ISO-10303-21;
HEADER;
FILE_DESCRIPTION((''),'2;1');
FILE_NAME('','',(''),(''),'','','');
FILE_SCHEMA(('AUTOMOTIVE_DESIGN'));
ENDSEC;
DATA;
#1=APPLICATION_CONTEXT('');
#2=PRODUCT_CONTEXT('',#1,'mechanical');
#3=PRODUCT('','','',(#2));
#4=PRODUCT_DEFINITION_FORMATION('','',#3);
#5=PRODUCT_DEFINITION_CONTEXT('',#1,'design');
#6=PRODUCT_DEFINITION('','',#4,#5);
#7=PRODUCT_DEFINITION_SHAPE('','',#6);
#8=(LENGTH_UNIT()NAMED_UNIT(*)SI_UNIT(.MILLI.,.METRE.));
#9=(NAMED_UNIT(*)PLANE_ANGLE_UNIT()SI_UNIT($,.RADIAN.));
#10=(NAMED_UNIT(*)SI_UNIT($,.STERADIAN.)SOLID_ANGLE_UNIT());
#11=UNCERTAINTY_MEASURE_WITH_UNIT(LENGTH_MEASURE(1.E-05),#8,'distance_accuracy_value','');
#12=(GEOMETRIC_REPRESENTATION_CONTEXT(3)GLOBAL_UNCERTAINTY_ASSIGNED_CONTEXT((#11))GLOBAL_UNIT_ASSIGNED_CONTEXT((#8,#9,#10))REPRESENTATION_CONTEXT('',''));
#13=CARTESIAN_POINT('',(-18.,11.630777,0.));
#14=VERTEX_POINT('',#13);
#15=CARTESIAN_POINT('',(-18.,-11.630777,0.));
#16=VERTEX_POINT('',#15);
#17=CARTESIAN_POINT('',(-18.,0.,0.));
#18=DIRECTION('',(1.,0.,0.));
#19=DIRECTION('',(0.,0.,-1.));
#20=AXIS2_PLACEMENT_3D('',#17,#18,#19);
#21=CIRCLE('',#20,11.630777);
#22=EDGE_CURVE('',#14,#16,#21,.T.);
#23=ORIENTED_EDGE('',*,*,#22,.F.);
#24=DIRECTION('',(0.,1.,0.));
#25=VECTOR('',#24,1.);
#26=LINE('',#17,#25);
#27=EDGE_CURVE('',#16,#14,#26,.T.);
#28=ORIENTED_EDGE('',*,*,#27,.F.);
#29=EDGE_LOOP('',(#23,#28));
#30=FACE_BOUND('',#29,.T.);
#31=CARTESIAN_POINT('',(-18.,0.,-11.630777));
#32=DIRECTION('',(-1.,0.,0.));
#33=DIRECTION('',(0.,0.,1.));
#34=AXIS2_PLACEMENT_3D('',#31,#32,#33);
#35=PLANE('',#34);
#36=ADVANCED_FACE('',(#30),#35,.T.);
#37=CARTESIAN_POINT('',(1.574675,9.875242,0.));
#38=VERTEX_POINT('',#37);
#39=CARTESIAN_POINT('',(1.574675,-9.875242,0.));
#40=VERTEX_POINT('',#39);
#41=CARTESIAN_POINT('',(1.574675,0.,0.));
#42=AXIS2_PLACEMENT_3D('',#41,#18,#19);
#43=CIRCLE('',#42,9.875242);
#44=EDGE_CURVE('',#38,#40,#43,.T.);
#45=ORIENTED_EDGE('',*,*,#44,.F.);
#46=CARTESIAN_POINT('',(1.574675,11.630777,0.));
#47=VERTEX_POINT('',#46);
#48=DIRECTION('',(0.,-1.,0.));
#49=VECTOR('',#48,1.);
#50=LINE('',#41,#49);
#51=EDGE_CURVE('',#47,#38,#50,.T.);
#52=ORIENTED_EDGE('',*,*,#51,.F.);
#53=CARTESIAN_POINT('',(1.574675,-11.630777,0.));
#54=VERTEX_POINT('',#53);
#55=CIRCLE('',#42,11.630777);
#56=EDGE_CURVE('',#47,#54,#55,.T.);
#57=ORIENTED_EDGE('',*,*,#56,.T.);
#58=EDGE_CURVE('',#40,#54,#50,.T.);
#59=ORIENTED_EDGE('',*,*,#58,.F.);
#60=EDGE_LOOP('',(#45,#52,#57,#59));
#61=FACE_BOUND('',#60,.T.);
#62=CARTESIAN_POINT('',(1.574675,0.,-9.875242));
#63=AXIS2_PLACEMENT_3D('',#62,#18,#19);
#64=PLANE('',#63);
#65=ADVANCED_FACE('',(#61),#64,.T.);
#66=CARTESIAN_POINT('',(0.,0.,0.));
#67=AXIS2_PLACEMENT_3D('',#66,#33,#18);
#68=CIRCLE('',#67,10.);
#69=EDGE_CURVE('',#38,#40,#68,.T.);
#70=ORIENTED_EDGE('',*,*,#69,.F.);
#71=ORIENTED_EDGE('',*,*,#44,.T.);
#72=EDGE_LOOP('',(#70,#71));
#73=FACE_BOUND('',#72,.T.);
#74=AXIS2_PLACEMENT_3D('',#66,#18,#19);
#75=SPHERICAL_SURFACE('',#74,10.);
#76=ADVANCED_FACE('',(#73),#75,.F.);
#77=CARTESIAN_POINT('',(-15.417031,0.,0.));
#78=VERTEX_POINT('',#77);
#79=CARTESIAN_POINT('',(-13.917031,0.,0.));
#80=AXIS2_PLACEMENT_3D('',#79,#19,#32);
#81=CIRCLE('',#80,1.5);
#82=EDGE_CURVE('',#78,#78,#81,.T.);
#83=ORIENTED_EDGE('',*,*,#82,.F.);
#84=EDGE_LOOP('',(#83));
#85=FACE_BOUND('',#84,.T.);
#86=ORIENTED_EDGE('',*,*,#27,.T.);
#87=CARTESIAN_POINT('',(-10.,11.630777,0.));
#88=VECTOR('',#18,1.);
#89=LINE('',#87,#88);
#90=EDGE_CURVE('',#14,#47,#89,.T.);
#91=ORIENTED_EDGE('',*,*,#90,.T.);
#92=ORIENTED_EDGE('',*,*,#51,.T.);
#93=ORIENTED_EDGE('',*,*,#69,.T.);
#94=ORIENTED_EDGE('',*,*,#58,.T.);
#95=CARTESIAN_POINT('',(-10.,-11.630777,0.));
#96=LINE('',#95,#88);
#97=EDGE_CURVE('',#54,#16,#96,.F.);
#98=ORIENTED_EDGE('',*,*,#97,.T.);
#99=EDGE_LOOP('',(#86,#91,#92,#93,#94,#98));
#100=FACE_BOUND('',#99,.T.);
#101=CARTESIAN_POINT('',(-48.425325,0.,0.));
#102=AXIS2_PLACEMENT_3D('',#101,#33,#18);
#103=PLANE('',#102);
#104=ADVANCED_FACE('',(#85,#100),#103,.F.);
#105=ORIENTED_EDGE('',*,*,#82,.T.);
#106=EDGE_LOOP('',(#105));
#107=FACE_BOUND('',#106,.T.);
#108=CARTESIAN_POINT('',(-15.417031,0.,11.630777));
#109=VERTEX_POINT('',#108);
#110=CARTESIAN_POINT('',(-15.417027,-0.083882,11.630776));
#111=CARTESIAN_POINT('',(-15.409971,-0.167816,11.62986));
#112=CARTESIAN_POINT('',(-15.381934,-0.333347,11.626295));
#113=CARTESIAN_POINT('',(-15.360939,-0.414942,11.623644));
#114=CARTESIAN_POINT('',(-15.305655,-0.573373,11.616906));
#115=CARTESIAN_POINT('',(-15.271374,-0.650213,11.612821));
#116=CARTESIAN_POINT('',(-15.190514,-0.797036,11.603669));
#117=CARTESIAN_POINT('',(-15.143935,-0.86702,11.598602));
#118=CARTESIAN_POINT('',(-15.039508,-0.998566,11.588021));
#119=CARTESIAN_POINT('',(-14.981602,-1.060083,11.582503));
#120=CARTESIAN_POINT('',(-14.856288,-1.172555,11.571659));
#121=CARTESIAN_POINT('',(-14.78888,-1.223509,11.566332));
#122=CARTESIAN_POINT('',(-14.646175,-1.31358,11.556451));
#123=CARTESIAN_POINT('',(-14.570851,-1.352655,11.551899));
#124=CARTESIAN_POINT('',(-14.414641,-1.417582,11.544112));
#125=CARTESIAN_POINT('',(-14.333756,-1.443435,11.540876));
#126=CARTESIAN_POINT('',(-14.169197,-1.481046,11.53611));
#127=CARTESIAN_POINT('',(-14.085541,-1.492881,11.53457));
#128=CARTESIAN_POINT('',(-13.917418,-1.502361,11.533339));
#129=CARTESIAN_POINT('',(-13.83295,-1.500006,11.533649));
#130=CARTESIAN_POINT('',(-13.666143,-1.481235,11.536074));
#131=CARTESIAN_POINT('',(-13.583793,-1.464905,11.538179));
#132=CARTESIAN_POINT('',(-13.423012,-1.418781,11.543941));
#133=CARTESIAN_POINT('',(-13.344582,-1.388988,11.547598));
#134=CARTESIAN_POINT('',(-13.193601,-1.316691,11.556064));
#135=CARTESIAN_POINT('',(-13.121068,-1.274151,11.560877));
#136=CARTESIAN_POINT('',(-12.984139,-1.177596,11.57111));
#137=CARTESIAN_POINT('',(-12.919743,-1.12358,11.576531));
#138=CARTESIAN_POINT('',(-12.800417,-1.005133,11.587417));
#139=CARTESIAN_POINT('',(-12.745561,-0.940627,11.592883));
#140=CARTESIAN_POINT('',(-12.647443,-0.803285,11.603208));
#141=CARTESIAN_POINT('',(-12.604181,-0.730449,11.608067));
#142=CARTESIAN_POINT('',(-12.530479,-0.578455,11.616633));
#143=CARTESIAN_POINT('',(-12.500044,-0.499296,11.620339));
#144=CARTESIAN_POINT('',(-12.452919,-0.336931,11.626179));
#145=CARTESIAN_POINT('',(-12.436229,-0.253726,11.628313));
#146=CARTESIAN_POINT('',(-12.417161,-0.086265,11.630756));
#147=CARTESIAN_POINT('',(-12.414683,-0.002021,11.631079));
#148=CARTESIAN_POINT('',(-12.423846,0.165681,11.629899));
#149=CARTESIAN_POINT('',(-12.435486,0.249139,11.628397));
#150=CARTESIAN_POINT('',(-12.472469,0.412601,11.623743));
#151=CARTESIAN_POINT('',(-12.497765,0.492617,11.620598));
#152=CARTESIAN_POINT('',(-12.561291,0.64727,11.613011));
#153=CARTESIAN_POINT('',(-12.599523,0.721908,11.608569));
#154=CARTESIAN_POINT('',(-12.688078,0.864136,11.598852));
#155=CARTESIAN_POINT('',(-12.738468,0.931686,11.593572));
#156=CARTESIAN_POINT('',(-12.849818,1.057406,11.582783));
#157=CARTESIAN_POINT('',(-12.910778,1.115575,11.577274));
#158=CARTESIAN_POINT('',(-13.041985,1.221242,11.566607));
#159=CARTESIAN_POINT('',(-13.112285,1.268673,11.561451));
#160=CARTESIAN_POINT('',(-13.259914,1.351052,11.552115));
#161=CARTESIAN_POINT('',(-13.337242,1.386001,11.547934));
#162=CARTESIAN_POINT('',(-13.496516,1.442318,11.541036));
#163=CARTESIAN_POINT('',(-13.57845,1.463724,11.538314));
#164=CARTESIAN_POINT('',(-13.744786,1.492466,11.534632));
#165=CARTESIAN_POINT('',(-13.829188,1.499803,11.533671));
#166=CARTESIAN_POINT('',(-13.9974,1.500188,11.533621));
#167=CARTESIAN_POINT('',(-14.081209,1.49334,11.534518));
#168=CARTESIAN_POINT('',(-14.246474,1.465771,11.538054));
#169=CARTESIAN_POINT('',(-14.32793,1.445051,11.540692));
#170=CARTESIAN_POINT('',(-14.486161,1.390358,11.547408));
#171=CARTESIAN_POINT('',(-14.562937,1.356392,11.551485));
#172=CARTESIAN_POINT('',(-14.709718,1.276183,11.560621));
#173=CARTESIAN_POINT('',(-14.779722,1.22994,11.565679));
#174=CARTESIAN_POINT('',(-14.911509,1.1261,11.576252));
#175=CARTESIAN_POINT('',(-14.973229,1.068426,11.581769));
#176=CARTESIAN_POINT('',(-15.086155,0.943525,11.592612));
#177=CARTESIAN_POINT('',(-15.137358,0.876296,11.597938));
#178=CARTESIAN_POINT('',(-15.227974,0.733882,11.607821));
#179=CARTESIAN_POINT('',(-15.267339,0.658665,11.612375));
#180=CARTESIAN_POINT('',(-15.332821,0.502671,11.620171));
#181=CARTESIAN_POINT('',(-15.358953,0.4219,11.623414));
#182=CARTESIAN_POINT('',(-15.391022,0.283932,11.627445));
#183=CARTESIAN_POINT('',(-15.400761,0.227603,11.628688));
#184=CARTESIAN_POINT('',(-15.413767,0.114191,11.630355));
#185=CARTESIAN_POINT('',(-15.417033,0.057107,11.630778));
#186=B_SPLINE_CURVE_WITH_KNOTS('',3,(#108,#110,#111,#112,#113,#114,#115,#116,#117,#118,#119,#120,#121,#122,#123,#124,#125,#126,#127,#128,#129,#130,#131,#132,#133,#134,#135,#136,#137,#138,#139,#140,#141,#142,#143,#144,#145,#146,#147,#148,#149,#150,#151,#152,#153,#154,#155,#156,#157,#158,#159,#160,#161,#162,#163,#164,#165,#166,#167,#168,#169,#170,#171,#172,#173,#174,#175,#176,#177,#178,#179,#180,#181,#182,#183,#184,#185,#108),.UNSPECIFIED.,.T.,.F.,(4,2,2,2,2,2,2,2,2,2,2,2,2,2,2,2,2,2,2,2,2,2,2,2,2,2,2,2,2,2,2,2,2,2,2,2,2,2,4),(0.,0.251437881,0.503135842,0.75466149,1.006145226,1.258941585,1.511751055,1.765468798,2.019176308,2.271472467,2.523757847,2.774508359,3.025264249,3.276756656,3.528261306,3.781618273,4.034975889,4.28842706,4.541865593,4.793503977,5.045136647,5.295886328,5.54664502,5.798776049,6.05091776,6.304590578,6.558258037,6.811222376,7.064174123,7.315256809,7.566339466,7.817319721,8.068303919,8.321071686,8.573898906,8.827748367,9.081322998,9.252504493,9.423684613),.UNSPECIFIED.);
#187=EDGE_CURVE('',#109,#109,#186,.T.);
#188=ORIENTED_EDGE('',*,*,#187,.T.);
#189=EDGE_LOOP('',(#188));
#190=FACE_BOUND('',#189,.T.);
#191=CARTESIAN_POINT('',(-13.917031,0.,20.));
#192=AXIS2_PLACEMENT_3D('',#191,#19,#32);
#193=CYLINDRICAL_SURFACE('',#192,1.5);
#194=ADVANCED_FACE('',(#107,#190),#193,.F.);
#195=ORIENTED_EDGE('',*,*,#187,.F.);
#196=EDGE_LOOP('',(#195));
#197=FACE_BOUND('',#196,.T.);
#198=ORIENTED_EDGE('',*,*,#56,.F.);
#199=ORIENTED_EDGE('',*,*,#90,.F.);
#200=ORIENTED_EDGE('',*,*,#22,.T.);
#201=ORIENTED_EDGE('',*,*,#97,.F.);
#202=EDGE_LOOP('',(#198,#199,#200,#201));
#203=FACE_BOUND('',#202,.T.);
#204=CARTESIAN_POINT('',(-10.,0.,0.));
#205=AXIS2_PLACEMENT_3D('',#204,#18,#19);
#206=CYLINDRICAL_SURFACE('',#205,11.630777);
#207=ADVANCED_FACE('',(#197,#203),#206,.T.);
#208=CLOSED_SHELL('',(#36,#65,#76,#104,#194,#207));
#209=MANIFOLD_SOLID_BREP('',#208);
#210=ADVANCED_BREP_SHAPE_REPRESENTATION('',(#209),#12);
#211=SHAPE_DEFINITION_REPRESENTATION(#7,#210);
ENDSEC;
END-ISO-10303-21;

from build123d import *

# Parameters (mm, degrees)
CORTAR_EXTRUIR1_DEPTH = 50
CROQUIS4_R            = 1.5
CORTAR_EXTRUIR2_DEPTH = 20


with BuildPart() as part:
    # Croquis1 → Revolución1 (revolve)
    with BuildSketch(Plane(origin=(0, 0, 0), x_dir=(1, 0, 0), z_dir=(0, 1, 0))):
        with BuildLine():
            Line((-10, 0), (-18, 0))
            Line((-18, 0), (-18, 11.630777084))
            Line((-18, 11.630777084), (1.574675275, 11.630777084))
            Line((1.574675275, 11.630777084), (1.574675275, 9.875241657))
            ThreePointArc((1.574675275, 9.875241657), (-6.490502571, 7.607455315), (-10, 0))
        make_face()
    revolve(axis=Axis((-10, 0, 0), (-1, 0, 0)))

    # Croquis3 → Cortar-Extruir1 (cut)
    with BuildSketch(Plane(origin=(1.574675275, 0, 0), x_dir=(0, 0, -1), z_dir=(1, 0, 0))):
        Polygon((0, 0), (0, -16.586651977), (12.985125339, -16.586651977), (12.985125339, 15.917262398), (0, 15.917262398), align=None)
    extrude(amount=-CORTAR_EXTRUIR1_DEPTH, mode=Mode.SUBTRACT)

    # Croquis4 → Cortar-Extruir2 (cut)
    with BuildSketch(Plane(origin=(0, 0, 0), x_dir=(-1, 0, 0), z_dir=(0, 0, -1))):
        with Locations((13.917030973, 0)):
            Circle(CROQUIS4_R)
    extrude(amount=-CORTAR_EXTRUIR2_DEPTH, mode=Mode.SUBTRACT)


solid = part.part
